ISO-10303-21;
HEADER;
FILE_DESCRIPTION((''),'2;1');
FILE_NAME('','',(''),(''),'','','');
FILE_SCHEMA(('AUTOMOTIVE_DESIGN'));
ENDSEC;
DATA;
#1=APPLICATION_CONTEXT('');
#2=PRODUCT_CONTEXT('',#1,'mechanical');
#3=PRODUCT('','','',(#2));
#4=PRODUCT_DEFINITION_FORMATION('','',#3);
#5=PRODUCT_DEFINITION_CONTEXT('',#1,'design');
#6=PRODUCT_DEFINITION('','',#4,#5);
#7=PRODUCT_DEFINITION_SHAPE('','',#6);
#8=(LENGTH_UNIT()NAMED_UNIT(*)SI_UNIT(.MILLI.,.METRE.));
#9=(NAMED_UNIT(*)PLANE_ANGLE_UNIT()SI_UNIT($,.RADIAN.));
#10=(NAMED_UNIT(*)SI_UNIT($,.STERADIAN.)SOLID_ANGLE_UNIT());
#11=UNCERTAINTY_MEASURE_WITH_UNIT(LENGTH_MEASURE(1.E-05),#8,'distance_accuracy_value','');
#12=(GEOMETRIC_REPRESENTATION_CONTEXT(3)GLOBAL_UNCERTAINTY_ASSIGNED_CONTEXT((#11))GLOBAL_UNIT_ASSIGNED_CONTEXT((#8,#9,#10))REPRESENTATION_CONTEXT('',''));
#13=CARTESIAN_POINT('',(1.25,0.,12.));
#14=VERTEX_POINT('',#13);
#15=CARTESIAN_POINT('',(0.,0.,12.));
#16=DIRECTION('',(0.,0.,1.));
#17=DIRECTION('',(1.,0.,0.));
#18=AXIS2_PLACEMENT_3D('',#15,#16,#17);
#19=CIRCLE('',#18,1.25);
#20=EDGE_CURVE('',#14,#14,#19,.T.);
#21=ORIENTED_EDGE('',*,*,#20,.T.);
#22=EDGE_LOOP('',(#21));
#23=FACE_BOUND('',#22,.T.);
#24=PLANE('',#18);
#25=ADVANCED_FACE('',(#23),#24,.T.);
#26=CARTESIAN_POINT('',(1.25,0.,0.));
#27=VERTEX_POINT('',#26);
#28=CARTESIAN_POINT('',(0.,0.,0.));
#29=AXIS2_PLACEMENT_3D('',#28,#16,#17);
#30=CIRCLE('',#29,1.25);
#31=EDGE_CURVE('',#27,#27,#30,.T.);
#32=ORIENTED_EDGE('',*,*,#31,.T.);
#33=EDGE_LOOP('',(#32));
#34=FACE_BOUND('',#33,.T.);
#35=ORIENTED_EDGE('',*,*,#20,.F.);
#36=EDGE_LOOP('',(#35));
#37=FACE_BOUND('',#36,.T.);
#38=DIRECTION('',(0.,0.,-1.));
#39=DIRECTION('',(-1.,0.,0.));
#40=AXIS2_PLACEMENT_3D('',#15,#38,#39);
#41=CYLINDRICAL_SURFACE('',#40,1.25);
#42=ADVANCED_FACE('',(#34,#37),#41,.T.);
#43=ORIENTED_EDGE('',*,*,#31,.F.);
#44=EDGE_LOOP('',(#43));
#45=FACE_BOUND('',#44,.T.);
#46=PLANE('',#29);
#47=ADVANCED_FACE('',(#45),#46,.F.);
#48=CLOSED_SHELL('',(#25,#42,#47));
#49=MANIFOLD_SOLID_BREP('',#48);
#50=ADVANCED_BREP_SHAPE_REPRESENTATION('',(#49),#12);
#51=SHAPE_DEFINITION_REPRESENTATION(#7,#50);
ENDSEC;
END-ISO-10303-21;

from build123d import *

# Parameters (mm, degrees)
SKETCH_1_R      = 1.25
EXTRUDE_1_DEPTH = 12


with BuildPart() as part:
    # 草图1 → 凸台-拉伸1 (new body)
    with BuildSketch(Plane.XY):
        Circle(SKETCH_1_R)
    extrude(amount=EXTRUDE_1_DEPTH)


solid = part.part
